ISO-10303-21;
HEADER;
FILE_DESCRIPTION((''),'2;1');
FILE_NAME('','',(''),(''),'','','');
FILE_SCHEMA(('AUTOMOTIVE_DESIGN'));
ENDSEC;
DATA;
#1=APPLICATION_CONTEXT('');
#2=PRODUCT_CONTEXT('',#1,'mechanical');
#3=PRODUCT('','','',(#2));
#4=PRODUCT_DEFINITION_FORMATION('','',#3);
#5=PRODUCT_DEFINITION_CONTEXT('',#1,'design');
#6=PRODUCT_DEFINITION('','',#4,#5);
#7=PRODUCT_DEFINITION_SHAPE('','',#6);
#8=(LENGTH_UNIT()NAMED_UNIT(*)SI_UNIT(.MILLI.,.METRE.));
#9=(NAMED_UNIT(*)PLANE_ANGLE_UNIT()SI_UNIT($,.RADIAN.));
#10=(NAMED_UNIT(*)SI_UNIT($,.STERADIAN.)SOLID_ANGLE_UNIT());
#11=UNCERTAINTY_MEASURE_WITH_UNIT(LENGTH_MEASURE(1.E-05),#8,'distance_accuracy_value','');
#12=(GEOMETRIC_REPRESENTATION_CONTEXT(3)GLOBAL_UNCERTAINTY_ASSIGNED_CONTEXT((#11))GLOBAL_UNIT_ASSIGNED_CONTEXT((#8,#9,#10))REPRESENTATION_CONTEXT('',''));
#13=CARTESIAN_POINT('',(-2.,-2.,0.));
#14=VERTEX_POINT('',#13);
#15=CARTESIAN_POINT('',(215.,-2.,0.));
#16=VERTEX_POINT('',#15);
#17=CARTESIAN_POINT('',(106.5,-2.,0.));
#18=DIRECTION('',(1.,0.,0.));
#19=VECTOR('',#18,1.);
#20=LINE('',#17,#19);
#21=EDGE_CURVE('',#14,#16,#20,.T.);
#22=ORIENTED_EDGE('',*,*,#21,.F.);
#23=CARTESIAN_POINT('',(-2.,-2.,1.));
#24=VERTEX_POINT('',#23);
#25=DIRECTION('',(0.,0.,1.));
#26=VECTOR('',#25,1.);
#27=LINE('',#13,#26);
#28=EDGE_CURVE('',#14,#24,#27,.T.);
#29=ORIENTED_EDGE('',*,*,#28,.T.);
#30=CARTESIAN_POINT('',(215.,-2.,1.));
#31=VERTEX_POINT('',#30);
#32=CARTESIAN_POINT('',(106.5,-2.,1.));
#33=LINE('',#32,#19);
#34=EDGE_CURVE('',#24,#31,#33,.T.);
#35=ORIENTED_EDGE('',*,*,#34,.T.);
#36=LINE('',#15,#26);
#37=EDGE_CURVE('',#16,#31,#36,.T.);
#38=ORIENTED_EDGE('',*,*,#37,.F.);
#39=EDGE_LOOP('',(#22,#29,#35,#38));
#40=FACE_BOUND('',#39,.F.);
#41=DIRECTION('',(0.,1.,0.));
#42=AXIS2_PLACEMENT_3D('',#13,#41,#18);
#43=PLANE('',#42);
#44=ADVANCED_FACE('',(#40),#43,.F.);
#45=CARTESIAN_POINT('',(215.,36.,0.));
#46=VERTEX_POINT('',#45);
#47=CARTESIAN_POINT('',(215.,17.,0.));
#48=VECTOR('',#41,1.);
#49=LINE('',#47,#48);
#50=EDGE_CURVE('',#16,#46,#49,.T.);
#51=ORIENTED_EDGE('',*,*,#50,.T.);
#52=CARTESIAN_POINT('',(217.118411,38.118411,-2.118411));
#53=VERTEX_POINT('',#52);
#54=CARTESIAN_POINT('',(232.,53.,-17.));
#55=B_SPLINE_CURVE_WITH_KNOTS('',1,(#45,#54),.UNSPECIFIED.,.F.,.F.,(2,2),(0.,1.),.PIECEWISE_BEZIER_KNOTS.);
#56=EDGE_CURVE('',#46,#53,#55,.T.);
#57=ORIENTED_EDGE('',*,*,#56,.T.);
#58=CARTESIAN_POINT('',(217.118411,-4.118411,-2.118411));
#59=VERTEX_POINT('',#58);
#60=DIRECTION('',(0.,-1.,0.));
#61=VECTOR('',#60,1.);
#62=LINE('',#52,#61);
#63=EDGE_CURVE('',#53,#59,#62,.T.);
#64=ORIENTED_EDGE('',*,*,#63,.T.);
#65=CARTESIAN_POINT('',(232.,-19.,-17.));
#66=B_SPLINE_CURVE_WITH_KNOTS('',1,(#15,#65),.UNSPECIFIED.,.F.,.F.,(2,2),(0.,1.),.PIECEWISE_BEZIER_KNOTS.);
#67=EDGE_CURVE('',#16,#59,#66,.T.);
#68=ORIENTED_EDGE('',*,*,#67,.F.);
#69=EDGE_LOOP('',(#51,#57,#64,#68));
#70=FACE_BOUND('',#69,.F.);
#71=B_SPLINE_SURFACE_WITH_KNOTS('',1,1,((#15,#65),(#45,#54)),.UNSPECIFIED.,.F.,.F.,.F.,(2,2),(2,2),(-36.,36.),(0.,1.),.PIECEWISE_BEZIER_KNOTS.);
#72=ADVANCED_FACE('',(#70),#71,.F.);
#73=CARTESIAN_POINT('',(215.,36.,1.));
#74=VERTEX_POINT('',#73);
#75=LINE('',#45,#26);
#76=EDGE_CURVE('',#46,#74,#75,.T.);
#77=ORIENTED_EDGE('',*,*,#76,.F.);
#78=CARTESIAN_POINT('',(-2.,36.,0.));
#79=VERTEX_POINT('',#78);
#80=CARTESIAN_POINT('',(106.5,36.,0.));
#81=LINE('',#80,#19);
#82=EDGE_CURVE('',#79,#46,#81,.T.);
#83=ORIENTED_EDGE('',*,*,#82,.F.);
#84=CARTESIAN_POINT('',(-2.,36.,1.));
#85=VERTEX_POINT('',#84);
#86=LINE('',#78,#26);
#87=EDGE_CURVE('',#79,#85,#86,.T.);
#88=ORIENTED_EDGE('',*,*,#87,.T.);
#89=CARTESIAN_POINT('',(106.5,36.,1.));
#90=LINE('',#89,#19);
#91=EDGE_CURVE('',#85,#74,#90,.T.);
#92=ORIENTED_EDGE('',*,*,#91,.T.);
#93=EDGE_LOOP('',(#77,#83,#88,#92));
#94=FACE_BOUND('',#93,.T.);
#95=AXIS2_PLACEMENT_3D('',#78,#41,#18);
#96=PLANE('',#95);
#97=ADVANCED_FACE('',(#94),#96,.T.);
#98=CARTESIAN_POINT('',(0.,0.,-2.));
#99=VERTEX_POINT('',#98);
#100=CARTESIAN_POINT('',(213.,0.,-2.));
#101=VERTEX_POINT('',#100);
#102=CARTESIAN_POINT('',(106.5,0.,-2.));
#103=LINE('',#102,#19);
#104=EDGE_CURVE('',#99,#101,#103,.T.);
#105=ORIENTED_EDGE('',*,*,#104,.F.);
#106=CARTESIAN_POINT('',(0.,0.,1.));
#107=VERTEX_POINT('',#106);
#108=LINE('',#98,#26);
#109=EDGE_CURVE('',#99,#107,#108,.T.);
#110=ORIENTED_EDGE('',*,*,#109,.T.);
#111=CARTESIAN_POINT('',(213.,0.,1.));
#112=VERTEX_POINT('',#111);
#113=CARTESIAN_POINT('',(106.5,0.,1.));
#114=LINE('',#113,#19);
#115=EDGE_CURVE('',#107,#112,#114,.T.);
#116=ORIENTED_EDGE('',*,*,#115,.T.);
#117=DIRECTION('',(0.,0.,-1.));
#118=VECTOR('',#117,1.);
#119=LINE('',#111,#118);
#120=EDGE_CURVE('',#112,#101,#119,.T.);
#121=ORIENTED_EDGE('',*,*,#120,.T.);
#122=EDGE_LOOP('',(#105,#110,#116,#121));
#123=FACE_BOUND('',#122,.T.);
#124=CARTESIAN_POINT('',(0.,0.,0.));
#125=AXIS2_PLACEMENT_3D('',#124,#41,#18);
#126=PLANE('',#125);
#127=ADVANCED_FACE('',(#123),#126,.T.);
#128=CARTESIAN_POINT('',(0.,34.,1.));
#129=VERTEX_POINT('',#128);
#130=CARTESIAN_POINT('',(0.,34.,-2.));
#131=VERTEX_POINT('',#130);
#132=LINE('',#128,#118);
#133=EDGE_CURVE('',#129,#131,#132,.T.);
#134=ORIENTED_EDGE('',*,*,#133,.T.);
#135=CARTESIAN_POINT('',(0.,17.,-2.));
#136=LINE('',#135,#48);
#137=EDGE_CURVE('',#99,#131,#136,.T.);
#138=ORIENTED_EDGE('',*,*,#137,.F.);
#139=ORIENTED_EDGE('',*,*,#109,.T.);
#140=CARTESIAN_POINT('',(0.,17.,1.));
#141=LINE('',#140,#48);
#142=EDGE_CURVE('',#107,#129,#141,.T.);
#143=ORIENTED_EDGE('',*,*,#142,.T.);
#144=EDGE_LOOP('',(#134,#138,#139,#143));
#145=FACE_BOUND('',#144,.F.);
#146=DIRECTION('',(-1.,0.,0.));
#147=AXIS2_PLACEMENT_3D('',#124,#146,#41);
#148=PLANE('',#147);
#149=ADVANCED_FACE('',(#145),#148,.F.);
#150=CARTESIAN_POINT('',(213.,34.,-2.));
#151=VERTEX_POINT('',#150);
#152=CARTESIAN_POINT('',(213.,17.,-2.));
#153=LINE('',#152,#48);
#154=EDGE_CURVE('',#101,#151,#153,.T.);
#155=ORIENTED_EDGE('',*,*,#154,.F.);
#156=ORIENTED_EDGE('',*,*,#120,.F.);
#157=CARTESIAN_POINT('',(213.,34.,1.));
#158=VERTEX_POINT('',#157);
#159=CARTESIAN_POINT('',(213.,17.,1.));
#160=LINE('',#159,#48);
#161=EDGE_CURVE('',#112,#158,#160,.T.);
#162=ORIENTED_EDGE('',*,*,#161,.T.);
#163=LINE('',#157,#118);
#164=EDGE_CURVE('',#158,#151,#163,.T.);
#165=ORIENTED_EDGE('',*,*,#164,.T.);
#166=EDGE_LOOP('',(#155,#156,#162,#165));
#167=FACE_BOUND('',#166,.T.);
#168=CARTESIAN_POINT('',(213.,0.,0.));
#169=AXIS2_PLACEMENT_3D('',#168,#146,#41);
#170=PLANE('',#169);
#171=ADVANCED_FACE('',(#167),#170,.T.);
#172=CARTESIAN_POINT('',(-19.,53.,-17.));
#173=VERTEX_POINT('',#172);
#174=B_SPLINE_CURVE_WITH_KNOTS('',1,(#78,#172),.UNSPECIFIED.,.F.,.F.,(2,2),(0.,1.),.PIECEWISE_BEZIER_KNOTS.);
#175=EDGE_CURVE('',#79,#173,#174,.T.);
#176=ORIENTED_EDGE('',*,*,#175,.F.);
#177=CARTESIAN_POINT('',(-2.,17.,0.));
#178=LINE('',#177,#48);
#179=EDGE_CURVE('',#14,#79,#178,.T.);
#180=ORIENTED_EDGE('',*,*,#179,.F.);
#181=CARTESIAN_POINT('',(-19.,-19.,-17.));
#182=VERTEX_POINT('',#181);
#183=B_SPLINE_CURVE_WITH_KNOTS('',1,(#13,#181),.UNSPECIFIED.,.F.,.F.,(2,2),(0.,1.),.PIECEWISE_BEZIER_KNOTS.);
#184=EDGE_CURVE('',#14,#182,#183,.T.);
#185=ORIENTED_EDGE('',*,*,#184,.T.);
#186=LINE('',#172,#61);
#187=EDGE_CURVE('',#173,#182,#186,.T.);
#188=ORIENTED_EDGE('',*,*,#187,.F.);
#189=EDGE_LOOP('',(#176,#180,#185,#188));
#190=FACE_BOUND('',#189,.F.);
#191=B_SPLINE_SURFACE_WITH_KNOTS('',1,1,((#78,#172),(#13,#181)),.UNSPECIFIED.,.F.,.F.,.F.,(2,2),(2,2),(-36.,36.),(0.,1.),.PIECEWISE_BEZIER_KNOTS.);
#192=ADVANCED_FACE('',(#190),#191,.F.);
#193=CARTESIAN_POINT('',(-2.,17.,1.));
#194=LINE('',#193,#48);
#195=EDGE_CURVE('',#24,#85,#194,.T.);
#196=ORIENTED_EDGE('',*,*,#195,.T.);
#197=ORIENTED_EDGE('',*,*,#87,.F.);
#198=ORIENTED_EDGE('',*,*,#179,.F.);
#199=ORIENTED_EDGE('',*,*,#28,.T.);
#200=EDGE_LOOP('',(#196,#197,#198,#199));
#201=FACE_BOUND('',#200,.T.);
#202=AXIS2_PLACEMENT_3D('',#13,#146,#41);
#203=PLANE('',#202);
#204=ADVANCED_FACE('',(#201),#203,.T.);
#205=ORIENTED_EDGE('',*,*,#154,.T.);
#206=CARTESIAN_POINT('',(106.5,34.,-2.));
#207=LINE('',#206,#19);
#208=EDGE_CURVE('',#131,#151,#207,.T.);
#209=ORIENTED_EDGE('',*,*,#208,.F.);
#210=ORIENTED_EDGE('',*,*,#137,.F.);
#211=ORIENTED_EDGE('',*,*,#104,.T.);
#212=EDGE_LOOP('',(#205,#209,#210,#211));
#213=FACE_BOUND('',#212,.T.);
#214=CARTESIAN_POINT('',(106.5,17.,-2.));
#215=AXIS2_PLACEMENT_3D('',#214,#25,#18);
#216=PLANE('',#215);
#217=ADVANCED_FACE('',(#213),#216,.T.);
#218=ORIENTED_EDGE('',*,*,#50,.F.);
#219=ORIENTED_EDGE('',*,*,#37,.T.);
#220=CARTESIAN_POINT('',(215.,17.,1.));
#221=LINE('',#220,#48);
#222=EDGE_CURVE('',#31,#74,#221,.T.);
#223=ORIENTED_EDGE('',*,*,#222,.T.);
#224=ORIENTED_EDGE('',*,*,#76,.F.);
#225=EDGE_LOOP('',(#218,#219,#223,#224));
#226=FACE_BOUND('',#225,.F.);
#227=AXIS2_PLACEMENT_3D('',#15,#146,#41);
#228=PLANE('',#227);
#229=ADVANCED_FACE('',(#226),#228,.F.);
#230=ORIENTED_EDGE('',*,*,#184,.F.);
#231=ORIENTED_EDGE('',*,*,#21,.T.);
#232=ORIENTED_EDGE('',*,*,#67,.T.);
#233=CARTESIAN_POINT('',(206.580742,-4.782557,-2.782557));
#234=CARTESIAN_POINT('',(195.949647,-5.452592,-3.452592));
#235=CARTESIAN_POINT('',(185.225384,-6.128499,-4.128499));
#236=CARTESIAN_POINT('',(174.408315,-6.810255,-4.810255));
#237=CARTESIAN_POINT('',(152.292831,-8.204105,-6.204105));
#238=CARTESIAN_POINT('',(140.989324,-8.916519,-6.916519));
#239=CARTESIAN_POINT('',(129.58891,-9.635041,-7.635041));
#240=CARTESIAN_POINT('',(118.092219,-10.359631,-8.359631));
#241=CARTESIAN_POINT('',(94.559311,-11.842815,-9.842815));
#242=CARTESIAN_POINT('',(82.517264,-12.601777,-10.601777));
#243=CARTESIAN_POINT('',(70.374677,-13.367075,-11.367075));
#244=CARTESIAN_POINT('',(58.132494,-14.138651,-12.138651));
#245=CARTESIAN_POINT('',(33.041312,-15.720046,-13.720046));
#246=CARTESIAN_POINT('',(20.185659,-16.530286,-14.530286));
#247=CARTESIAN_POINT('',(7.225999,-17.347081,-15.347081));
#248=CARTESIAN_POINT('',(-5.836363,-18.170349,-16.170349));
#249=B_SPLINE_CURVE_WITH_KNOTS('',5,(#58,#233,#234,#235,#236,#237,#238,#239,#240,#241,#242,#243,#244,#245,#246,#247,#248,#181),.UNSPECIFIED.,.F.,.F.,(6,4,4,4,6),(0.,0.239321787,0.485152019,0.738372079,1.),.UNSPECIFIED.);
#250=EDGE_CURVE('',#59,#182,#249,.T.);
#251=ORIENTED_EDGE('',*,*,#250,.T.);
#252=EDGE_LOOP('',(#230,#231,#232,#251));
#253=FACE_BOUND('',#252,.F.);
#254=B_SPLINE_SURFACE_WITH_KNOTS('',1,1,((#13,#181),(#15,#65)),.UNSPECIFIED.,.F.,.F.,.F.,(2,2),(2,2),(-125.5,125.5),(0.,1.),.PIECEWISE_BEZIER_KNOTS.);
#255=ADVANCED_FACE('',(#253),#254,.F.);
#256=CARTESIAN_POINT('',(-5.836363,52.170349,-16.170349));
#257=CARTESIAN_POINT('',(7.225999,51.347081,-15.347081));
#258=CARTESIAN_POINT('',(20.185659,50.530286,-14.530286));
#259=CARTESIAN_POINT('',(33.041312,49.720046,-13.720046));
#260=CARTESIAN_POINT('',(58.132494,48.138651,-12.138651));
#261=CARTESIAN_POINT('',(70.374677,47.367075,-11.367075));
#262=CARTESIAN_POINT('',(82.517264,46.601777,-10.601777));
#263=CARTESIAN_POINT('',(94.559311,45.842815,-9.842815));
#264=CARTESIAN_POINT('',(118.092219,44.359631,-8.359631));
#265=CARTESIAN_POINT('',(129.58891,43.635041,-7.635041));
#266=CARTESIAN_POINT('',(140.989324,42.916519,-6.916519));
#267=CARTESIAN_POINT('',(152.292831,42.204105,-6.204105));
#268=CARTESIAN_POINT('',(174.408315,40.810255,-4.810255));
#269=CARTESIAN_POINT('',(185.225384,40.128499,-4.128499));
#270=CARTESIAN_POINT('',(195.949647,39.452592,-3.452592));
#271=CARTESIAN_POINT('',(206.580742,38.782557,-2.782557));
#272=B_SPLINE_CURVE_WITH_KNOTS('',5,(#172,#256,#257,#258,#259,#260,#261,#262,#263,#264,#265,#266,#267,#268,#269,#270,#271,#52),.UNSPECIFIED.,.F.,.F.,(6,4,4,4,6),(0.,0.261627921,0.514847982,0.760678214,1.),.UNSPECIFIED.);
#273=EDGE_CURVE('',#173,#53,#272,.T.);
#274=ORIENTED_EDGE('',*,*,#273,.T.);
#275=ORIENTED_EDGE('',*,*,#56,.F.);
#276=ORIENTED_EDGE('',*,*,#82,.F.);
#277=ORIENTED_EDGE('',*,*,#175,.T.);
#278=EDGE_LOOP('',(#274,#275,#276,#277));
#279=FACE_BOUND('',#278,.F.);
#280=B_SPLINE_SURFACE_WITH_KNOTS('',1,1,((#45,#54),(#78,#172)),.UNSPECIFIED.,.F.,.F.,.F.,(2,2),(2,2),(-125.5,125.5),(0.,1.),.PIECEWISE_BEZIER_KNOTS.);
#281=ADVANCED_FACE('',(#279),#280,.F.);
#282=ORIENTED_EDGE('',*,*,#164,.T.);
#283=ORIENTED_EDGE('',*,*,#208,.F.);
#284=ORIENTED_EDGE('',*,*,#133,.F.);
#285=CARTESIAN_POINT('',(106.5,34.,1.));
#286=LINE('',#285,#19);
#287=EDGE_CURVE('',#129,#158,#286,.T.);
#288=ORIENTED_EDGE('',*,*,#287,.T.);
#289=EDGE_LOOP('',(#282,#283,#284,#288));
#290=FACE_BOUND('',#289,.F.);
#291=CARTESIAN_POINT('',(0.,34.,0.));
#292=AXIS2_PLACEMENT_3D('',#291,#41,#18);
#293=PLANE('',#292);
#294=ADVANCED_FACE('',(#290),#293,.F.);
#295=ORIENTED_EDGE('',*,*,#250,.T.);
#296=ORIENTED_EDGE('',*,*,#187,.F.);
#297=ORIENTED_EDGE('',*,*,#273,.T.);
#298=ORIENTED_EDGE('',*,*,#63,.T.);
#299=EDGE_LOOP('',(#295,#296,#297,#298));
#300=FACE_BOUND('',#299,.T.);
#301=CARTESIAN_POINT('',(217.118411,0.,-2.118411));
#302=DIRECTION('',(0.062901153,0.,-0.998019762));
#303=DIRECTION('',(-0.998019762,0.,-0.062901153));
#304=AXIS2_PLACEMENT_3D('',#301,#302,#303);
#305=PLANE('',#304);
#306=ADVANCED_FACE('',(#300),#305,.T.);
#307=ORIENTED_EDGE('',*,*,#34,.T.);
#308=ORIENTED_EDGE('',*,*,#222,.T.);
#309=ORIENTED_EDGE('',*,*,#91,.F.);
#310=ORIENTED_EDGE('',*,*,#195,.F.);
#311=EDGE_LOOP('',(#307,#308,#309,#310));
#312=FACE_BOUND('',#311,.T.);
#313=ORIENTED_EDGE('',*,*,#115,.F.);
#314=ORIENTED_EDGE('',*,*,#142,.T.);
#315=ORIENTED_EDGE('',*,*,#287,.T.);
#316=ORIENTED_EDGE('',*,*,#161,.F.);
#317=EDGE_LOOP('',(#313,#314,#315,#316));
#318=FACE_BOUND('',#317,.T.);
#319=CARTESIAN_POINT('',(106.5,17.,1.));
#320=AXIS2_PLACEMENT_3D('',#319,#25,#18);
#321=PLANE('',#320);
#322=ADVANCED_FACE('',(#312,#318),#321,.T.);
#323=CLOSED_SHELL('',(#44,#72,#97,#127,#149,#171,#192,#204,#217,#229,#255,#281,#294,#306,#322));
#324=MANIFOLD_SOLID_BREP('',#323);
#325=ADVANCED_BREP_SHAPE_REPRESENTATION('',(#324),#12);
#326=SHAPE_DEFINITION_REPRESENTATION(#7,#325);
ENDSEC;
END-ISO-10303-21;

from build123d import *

# Parameters (mm, degrees)
F0_W          = 217
F0_H          = 38
F0_W_2        = 213
F0_H_2        = 34
F1_DEPTH      = 1
F2_DEPTH      = 17
F2_TAPER      = -45
F3_DEPTH      = 2
F5_DEPTH      = 53.0010001
F5_DEPTH_BACK = 25


with BuildPart() as f1:
    # F0 (on Top) → F1 (new body)
    with BuildSketch(Plane.XY):
        with Locations((106.5, 17)):
            Rectangle(F0_W, F0_H)
        with Locations((106.5, 17)):
            Rectangle(F0_W_2, F0_H_2, mode=Mode.SUBTRACT)
    extrude(amount=F1_DEPTH)

    # F0 (on Top) → F2 (join)
    with BuildSketch(Plane.XY):
        with Locations((106.5, 17)):
            Rectangle(F0_W, F0_H)
        with Locations((106.5, 17)):
            Rectangle(F0_W_2, F0_H_2, mode=Mode.SUBTRACT)
        with Locations((106.5, 17)):
            Rectangle(F0_W_2, F0_H_2)
    extrude(amount=-F2_DEPTH, taper=F2_TAPER)

    # F0 (on Top) → F3 (cut)
    with BuildSketch(Plane.XY):
        with Locations((106.5, 17)):
            Rectangle(F0_W_2, F0_H_2)
    extrude(amount=-F3_DEPTH, mode=Mode.SUBTRACT)

    # F4 (on Front) → F5 (cut, two sides)
    with BuildSketch(Plane.XZ) as f5_sk:
        Polygon((217.1184106235, -2.1184106235), (-19, -17), (234.9526717854, -19.9526717854), align=None)
    extrude(amount=-F5_DEPTH, mode=Mode.SUBTRACT)
    extrude(f5_sk.sketch, amount=F5_DEPTH_BACK, mode=Mode.SUBTRACT)


solid = f1.part
